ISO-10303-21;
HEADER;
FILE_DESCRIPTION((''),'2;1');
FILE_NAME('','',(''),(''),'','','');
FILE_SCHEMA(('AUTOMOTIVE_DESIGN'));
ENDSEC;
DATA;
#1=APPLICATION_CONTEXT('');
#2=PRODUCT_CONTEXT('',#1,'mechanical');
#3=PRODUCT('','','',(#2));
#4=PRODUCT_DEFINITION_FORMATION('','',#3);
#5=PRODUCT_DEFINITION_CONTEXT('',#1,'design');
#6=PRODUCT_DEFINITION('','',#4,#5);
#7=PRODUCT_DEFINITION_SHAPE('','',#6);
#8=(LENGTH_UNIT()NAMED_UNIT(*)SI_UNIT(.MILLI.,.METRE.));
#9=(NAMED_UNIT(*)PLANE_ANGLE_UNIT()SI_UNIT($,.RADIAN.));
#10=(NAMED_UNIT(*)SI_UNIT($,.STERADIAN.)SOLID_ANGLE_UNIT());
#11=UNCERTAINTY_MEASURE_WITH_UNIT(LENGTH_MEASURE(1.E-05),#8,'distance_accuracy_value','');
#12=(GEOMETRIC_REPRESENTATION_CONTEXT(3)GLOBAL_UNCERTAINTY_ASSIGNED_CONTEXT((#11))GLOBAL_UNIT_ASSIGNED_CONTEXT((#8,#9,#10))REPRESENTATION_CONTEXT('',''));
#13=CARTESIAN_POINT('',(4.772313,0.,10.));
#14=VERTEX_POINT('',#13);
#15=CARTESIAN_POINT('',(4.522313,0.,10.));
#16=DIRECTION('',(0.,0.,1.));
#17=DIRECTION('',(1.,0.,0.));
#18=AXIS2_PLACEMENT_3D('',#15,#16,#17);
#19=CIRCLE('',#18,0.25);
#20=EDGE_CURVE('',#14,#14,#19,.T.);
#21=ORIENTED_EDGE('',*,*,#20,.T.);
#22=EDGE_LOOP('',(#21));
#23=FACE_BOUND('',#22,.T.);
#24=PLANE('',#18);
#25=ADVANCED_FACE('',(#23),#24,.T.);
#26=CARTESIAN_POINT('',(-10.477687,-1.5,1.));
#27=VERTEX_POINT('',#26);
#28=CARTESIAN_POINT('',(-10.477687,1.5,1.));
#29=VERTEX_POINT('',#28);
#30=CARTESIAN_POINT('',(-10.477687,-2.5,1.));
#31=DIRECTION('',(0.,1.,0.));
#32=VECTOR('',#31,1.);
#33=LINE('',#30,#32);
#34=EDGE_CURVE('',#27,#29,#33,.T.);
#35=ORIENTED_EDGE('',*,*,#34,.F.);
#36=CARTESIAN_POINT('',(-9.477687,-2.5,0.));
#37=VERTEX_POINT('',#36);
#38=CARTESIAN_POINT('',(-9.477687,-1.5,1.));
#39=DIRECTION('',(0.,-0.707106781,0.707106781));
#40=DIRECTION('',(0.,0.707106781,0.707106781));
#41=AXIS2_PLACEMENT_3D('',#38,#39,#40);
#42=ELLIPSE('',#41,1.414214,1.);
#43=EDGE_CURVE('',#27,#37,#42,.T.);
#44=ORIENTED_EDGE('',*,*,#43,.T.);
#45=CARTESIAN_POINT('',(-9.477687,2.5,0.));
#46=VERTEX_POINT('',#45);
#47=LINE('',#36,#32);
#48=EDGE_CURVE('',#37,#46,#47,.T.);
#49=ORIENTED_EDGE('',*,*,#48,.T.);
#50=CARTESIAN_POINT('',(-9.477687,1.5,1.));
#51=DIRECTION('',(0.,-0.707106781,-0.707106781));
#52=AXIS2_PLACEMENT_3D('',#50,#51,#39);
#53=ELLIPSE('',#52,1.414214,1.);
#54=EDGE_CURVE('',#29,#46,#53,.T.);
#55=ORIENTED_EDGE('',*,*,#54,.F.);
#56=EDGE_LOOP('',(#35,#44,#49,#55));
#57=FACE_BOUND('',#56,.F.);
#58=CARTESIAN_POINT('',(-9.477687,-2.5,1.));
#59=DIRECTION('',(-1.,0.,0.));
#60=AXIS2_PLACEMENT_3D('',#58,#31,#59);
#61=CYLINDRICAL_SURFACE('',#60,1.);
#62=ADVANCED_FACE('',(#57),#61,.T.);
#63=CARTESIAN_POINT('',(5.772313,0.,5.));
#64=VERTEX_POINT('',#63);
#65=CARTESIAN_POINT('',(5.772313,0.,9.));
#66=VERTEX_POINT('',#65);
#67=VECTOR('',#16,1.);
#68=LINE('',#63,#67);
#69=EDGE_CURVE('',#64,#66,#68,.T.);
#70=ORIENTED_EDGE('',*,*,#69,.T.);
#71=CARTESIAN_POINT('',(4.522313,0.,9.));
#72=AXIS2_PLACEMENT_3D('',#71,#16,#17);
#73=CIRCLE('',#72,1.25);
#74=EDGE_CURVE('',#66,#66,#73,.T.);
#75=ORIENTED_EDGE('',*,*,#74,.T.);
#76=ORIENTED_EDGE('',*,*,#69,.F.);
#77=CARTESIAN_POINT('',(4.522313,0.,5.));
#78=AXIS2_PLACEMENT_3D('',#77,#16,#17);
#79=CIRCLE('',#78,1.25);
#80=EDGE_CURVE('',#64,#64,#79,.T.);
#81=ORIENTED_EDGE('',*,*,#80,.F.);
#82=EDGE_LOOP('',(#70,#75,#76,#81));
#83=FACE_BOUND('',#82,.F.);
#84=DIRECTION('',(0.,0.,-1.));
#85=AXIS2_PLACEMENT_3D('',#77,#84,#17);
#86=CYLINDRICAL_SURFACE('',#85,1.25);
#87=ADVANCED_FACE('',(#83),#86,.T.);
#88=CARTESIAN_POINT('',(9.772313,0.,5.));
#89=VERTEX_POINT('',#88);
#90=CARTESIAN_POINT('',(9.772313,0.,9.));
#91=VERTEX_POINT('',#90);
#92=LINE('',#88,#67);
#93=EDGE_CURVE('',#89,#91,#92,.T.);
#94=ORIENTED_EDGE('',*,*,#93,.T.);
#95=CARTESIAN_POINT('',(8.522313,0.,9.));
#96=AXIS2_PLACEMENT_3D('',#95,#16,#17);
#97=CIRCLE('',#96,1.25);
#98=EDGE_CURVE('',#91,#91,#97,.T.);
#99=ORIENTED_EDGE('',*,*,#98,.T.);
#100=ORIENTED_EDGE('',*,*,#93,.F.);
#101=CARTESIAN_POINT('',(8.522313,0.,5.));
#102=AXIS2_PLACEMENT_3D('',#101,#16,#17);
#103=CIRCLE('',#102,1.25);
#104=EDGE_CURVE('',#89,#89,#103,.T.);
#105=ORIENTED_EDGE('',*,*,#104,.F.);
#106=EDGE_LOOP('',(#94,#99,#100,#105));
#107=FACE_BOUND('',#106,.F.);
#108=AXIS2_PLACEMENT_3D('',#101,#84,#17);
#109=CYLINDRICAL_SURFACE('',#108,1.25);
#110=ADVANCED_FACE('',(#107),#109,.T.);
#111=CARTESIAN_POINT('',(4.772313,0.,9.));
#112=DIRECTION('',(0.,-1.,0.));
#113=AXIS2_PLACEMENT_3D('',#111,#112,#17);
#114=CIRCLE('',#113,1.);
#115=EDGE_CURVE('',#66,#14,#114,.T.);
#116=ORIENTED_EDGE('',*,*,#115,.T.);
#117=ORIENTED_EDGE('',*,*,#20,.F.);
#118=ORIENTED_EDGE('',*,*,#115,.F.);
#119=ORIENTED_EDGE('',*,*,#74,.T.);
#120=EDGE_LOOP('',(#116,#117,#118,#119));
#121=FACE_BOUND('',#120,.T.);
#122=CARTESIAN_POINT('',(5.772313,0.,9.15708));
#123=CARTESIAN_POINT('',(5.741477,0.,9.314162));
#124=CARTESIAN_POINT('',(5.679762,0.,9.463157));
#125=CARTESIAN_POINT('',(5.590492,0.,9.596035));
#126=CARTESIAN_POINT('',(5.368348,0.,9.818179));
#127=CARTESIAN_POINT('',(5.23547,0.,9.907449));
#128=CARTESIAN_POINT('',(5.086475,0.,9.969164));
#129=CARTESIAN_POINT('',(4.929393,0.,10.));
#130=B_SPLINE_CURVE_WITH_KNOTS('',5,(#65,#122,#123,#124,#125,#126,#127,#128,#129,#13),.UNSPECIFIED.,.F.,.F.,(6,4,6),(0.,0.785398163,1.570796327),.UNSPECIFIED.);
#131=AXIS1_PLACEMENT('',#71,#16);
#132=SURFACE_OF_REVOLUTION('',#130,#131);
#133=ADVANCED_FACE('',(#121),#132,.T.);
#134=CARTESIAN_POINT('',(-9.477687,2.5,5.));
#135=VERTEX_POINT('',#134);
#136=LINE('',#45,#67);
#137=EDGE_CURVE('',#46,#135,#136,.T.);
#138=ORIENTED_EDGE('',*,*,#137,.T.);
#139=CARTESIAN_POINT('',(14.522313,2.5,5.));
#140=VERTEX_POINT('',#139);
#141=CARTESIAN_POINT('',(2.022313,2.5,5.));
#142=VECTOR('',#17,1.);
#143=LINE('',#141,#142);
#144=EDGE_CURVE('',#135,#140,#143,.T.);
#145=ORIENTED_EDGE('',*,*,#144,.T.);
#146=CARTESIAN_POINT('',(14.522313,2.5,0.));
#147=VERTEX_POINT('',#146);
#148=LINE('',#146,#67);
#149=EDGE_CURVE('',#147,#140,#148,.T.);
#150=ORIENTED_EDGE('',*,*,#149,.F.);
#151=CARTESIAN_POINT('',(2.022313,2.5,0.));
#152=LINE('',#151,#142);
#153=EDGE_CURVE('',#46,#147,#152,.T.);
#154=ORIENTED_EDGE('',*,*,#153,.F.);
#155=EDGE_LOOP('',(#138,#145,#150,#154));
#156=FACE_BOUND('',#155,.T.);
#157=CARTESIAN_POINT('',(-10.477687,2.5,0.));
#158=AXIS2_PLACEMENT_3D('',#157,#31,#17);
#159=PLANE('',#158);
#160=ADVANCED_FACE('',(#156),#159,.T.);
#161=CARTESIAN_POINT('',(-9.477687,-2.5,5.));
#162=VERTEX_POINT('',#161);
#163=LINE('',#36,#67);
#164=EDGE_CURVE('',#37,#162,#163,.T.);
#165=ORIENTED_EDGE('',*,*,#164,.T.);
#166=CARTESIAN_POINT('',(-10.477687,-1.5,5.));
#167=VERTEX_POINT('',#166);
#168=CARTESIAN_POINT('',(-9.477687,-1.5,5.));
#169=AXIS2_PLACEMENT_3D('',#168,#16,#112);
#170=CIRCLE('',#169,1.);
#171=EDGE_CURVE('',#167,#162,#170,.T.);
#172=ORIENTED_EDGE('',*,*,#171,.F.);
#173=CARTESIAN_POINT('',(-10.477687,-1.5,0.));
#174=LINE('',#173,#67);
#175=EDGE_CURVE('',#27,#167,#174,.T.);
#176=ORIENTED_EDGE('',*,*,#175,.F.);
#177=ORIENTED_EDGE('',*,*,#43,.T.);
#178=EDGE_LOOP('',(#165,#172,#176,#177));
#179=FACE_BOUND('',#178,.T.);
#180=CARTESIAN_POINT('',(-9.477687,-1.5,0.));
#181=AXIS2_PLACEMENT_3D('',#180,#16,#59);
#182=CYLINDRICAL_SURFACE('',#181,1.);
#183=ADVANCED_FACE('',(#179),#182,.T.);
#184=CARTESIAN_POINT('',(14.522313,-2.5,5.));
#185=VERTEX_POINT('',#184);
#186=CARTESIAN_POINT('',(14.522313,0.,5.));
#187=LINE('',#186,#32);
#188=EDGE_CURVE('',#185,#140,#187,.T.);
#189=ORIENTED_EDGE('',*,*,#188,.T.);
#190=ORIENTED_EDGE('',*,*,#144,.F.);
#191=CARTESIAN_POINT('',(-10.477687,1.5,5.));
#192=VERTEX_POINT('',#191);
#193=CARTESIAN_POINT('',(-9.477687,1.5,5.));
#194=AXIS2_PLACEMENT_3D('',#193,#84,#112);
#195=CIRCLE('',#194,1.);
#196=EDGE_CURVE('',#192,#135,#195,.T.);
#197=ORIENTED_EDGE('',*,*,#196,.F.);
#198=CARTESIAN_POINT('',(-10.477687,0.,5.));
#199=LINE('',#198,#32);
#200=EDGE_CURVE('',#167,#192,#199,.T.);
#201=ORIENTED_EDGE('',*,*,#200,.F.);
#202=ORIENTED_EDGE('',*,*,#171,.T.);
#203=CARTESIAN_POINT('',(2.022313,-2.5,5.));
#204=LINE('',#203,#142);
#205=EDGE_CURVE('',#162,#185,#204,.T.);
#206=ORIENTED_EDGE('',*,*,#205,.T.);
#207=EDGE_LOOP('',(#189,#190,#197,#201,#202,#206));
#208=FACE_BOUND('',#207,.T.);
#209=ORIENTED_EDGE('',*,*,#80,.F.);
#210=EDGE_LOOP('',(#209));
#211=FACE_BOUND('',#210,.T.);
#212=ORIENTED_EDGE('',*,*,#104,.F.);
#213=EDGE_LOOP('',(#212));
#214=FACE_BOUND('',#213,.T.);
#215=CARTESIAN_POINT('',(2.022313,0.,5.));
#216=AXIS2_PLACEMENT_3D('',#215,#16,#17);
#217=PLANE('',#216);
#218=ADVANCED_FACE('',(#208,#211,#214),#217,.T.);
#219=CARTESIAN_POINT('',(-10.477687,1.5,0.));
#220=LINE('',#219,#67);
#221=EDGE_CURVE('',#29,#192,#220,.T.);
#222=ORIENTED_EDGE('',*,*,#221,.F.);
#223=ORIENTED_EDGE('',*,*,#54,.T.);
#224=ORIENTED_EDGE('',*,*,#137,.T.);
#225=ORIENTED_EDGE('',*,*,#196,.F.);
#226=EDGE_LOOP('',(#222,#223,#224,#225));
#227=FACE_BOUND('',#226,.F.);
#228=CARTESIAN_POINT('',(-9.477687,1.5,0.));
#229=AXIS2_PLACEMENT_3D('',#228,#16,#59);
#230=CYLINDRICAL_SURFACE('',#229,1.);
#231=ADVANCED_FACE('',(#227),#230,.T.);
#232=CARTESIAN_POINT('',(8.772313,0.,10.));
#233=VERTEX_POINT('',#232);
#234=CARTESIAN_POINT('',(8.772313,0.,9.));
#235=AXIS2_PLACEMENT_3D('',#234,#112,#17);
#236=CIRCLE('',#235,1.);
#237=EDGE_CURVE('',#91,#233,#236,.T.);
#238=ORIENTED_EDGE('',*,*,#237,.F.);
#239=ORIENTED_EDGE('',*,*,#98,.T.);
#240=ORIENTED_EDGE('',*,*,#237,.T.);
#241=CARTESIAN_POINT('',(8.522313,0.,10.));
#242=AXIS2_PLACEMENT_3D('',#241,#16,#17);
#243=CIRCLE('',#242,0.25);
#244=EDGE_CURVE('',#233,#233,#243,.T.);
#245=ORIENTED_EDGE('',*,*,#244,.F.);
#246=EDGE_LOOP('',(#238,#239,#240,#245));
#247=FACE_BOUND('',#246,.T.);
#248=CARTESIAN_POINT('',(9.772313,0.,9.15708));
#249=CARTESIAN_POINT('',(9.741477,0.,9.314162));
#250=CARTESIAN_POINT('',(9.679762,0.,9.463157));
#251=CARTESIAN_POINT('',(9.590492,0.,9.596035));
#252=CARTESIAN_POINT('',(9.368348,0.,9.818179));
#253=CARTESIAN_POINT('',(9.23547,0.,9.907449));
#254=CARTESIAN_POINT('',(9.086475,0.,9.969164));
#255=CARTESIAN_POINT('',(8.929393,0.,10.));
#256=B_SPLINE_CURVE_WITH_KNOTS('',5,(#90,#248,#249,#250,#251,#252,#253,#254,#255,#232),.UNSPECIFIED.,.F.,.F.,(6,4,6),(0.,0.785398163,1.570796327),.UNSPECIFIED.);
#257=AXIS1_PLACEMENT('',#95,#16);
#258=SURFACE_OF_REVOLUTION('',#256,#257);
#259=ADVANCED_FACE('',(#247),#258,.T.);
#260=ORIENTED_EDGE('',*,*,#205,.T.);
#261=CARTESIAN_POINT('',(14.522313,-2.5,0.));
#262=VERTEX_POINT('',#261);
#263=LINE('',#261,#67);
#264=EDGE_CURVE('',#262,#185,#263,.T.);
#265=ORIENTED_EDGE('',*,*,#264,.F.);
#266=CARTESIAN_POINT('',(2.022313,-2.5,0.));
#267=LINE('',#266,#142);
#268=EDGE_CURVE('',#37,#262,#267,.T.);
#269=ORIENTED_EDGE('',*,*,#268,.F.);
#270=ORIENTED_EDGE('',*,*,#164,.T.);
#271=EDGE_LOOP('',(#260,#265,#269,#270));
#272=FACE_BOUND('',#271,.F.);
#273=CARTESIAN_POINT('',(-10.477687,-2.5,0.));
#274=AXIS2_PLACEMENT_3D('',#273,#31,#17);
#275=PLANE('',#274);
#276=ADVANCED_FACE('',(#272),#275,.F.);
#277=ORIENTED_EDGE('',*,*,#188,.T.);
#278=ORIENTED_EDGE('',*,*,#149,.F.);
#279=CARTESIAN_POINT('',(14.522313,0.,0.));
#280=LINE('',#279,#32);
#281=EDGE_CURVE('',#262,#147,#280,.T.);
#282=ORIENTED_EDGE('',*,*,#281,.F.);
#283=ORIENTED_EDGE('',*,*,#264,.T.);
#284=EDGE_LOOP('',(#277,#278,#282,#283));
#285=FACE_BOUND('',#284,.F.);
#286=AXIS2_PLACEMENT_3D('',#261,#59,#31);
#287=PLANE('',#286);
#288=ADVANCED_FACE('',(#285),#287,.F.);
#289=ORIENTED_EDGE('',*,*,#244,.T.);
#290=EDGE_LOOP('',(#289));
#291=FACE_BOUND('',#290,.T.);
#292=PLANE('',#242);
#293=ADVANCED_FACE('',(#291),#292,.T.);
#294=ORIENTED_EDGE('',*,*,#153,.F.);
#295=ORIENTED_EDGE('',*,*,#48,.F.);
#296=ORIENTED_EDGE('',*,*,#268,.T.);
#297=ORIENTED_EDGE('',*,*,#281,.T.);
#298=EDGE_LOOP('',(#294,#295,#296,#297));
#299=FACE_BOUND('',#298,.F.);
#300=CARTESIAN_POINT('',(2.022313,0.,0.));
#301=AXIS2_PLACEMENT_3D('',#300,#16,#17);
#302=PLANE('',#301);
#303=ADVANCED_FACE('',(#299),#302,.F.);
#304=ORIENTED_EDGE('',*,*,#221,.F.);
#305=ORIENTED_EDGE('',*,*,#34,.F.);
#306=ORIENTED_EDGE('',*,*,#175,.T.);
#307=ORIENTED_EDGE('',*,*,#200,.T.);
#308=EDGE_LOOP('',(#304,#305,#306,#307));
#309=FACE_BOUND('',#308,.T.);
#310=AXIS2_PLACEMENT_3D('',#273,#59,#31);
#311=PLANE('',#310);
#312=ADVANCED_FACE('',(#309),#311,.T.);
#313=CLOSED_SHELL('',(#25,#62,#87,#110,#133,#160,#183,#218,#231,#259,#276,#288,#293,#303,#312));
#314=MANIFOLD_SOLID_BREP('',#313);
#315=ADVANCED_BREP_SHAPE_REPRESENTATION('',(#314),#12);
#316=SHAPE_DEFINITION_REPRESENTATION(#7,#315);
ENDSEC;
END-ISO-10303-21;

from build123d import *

# Parameters (mm, degrees)
F0_W     = 25
F0_H     = 5
F1_DEPTH = 5
F2_R     = 1.25
F3_DEPTH = 5
F4_R     = 1


with BuildPart() as f1:
    # F0 (on Top) → F1 (new body)
    with BuildSketch(Plane.XY):
        with Locations((2.022313, 0)):
            Rectangle(F0_W, F0_H)
    extrude(amount=F1_DEPTH)

    # F2 (on face) → F3 (join)
    with BuildSketch(Plane.XY.offset(5)):
        with Locations((4.522313, 0)):
            Circle(F2_R)
        with Locations((8.522313, 0)):
            Circle(F2_R)
    extrude(amount=F3_DEPTH)

    # F4
    f4_edges = [f1.edges().sort_by_distance(p)[0] for p in [
        (-10.477687, -2.5, 2.5),
        (-10.477687, 2.5, 2.5),
        (3.272313, 0, 10),
        (7.272313, 0, 10),
        (-10.477687, 0, 0),
    ]]
    fillet(f4_edges, radius=F4_R)


solid = f1.part
